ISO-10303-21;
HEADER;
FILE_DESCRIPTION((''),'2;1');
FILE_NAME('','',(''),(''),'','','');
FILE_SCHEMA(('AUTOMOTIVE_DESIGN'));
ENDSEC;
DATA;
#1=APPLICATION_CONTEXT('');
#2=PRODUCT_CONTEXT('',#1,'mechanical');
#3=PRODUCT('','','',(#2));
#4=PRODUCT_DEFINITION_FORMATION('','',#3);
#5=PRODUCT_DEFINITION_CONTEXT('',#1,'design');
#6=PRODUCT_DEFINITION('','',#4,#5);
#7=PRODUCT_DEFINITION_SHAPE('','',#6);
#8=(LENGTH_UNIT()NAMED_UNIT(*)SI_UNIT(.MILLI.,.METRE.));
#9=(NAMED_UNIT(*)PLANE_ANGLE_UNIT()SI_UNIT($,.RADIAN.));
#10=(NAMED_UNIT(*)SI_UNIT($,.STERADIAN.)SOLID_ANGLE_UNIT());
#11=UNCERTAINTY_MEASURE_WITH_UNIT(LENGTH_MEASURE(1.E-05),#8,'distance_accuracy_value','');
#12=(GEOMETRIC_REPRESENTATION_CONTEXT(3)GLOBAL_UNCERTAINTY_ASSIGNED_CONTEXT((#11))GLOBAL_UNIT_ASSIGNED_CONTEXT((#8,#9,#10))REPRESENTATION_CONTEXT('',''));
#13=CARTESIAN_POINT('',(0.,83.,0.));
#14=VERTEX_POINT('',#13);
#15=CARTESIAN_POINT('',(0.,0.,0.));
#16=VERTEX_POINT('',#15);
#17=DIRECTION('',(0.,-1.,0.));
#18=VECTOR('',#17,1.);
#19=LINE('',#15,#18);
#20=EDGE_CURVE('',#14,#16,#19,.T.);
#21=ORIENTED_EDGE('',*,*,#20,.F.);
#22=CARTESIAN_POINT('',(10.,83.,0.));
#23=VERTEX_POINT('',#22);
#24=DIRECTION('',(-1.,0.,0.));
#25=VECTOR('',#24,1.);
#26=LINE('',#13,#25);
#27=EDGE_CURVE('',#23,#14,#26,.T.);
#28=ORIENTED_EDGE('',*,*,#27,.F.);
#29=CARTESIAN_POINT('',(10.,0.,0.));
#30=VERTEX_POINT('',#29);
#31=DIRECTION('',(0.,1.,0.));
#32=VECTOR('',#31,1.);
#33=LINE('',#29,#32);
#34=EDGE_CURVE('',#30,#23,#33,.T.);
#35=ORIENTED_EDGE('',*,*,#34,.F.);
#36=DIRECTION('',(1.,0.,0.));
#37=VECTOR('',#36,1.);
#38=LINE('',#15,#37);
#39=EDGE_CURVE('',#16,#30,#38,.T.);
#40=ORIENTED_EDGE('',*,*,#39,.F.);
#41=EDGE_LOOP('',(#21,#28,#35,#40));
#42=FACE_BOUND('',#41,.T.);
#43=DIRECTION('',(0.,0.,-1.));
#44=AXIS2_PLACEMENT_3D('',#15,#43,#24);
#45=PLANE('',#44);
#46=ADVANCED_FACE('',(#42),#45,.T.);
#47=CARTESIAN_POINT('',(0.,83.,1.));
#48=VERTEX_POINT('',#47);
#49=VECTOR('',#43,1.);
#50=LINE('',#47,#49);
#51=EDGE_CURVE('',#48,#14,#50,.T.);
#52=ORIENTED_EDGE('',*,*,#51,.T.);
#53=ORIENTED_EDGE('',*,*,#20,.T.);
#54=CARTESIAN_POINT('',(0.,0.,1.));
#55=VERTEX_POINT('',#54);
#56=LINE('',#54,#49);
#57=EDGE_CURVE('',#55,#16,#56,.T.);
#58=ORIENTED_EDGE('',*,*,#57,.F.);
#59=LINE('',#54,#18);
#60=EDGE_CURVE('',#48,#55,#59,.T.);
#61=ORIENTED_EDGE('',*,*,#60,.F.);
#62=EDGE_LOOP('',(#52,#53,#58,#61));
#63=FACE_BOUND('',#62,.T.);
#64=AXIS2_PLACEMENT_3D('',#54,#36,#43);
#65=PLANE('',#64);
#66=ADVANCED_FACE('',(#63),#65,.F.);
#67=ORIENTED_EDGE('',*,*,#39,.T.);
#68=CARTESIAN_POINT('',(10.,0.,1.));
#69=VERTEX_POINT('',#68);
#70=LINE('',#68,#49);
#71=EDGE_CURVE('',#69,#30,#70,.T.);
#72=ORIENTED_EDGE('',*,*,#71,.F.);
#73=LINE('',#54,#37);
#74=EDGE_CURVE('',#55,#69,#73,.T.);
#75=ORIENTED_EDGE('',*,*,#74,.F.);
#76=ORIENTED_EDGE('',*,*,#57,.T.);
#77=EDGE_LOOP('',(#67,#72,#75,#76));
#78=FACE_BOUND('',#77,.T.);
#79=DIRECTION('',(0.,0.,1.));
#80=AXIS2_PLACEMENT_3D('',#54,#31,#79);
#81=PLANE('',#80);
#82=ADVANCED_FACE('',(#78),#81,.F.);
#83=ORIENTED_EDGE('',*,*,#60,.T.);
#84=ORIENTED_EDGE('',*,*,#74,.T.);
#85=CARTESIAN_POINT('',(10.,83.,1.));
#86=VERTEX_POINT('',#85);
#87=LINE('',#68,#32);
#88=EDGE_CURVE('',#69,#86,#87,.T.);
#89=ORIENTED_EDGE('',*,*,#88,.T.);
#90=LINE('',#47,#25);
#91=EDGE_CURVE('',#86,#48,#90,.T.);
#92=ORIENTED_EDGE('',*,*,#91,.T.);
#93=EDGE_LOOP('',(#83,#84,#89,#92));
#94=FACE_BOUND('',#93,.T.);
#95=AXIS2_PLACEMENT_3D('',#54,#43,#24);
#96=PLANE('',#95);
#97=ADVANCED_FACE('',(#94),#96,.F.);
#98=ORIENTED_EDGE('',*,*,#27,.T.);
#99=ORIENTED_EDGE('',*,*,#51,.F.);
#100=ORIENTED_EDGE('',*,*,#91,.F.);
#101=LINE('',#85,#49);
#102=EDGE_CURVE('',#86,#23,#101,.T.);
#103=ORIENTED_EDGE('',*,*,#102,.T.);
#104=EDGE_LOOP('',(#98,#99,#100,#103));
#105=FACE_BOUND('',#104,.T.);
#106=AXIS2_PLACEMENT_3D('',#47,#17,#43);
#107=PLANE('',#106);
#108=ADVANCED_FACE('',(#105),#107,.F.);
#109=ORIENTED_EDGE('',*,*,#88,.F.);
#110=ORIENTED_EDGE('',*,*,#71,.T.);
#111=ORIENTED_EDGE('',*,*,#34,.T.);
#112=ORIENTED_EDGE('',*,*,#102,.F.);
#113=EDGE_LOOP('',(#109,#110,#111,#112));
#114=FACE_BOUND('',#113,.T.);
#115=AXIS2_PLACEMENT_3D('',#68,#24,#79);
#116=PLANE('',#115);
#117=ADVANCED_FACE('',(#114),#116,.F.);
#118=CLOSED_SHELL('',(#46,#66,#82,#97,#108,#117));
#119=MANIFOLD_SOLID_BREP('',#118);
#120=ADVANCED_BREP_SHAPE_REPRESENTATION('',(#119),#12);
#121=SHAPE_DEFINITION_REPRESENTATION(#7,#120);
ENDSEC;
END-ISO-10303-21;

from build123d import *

# Parameters (mm, degrees)
SZKIC1_W                    = 10
SZKIC1_H                    = 83
DODANIE_WYCI_GNI_CIE1_DEPTH = 1


with BuildPart() as part:
    # Szkic1 → Dodanie-wyciągnięcie1 (new body)
    with BuildSketch(Plane.XY):
        with Locations((5, 41.5)):
            Rectangle(SZKIC1_W, SZKIC1_H)
    extrude(amount=DODANIE_WYCI_GNI_CIE1_DEPTH)


solid = part.part
